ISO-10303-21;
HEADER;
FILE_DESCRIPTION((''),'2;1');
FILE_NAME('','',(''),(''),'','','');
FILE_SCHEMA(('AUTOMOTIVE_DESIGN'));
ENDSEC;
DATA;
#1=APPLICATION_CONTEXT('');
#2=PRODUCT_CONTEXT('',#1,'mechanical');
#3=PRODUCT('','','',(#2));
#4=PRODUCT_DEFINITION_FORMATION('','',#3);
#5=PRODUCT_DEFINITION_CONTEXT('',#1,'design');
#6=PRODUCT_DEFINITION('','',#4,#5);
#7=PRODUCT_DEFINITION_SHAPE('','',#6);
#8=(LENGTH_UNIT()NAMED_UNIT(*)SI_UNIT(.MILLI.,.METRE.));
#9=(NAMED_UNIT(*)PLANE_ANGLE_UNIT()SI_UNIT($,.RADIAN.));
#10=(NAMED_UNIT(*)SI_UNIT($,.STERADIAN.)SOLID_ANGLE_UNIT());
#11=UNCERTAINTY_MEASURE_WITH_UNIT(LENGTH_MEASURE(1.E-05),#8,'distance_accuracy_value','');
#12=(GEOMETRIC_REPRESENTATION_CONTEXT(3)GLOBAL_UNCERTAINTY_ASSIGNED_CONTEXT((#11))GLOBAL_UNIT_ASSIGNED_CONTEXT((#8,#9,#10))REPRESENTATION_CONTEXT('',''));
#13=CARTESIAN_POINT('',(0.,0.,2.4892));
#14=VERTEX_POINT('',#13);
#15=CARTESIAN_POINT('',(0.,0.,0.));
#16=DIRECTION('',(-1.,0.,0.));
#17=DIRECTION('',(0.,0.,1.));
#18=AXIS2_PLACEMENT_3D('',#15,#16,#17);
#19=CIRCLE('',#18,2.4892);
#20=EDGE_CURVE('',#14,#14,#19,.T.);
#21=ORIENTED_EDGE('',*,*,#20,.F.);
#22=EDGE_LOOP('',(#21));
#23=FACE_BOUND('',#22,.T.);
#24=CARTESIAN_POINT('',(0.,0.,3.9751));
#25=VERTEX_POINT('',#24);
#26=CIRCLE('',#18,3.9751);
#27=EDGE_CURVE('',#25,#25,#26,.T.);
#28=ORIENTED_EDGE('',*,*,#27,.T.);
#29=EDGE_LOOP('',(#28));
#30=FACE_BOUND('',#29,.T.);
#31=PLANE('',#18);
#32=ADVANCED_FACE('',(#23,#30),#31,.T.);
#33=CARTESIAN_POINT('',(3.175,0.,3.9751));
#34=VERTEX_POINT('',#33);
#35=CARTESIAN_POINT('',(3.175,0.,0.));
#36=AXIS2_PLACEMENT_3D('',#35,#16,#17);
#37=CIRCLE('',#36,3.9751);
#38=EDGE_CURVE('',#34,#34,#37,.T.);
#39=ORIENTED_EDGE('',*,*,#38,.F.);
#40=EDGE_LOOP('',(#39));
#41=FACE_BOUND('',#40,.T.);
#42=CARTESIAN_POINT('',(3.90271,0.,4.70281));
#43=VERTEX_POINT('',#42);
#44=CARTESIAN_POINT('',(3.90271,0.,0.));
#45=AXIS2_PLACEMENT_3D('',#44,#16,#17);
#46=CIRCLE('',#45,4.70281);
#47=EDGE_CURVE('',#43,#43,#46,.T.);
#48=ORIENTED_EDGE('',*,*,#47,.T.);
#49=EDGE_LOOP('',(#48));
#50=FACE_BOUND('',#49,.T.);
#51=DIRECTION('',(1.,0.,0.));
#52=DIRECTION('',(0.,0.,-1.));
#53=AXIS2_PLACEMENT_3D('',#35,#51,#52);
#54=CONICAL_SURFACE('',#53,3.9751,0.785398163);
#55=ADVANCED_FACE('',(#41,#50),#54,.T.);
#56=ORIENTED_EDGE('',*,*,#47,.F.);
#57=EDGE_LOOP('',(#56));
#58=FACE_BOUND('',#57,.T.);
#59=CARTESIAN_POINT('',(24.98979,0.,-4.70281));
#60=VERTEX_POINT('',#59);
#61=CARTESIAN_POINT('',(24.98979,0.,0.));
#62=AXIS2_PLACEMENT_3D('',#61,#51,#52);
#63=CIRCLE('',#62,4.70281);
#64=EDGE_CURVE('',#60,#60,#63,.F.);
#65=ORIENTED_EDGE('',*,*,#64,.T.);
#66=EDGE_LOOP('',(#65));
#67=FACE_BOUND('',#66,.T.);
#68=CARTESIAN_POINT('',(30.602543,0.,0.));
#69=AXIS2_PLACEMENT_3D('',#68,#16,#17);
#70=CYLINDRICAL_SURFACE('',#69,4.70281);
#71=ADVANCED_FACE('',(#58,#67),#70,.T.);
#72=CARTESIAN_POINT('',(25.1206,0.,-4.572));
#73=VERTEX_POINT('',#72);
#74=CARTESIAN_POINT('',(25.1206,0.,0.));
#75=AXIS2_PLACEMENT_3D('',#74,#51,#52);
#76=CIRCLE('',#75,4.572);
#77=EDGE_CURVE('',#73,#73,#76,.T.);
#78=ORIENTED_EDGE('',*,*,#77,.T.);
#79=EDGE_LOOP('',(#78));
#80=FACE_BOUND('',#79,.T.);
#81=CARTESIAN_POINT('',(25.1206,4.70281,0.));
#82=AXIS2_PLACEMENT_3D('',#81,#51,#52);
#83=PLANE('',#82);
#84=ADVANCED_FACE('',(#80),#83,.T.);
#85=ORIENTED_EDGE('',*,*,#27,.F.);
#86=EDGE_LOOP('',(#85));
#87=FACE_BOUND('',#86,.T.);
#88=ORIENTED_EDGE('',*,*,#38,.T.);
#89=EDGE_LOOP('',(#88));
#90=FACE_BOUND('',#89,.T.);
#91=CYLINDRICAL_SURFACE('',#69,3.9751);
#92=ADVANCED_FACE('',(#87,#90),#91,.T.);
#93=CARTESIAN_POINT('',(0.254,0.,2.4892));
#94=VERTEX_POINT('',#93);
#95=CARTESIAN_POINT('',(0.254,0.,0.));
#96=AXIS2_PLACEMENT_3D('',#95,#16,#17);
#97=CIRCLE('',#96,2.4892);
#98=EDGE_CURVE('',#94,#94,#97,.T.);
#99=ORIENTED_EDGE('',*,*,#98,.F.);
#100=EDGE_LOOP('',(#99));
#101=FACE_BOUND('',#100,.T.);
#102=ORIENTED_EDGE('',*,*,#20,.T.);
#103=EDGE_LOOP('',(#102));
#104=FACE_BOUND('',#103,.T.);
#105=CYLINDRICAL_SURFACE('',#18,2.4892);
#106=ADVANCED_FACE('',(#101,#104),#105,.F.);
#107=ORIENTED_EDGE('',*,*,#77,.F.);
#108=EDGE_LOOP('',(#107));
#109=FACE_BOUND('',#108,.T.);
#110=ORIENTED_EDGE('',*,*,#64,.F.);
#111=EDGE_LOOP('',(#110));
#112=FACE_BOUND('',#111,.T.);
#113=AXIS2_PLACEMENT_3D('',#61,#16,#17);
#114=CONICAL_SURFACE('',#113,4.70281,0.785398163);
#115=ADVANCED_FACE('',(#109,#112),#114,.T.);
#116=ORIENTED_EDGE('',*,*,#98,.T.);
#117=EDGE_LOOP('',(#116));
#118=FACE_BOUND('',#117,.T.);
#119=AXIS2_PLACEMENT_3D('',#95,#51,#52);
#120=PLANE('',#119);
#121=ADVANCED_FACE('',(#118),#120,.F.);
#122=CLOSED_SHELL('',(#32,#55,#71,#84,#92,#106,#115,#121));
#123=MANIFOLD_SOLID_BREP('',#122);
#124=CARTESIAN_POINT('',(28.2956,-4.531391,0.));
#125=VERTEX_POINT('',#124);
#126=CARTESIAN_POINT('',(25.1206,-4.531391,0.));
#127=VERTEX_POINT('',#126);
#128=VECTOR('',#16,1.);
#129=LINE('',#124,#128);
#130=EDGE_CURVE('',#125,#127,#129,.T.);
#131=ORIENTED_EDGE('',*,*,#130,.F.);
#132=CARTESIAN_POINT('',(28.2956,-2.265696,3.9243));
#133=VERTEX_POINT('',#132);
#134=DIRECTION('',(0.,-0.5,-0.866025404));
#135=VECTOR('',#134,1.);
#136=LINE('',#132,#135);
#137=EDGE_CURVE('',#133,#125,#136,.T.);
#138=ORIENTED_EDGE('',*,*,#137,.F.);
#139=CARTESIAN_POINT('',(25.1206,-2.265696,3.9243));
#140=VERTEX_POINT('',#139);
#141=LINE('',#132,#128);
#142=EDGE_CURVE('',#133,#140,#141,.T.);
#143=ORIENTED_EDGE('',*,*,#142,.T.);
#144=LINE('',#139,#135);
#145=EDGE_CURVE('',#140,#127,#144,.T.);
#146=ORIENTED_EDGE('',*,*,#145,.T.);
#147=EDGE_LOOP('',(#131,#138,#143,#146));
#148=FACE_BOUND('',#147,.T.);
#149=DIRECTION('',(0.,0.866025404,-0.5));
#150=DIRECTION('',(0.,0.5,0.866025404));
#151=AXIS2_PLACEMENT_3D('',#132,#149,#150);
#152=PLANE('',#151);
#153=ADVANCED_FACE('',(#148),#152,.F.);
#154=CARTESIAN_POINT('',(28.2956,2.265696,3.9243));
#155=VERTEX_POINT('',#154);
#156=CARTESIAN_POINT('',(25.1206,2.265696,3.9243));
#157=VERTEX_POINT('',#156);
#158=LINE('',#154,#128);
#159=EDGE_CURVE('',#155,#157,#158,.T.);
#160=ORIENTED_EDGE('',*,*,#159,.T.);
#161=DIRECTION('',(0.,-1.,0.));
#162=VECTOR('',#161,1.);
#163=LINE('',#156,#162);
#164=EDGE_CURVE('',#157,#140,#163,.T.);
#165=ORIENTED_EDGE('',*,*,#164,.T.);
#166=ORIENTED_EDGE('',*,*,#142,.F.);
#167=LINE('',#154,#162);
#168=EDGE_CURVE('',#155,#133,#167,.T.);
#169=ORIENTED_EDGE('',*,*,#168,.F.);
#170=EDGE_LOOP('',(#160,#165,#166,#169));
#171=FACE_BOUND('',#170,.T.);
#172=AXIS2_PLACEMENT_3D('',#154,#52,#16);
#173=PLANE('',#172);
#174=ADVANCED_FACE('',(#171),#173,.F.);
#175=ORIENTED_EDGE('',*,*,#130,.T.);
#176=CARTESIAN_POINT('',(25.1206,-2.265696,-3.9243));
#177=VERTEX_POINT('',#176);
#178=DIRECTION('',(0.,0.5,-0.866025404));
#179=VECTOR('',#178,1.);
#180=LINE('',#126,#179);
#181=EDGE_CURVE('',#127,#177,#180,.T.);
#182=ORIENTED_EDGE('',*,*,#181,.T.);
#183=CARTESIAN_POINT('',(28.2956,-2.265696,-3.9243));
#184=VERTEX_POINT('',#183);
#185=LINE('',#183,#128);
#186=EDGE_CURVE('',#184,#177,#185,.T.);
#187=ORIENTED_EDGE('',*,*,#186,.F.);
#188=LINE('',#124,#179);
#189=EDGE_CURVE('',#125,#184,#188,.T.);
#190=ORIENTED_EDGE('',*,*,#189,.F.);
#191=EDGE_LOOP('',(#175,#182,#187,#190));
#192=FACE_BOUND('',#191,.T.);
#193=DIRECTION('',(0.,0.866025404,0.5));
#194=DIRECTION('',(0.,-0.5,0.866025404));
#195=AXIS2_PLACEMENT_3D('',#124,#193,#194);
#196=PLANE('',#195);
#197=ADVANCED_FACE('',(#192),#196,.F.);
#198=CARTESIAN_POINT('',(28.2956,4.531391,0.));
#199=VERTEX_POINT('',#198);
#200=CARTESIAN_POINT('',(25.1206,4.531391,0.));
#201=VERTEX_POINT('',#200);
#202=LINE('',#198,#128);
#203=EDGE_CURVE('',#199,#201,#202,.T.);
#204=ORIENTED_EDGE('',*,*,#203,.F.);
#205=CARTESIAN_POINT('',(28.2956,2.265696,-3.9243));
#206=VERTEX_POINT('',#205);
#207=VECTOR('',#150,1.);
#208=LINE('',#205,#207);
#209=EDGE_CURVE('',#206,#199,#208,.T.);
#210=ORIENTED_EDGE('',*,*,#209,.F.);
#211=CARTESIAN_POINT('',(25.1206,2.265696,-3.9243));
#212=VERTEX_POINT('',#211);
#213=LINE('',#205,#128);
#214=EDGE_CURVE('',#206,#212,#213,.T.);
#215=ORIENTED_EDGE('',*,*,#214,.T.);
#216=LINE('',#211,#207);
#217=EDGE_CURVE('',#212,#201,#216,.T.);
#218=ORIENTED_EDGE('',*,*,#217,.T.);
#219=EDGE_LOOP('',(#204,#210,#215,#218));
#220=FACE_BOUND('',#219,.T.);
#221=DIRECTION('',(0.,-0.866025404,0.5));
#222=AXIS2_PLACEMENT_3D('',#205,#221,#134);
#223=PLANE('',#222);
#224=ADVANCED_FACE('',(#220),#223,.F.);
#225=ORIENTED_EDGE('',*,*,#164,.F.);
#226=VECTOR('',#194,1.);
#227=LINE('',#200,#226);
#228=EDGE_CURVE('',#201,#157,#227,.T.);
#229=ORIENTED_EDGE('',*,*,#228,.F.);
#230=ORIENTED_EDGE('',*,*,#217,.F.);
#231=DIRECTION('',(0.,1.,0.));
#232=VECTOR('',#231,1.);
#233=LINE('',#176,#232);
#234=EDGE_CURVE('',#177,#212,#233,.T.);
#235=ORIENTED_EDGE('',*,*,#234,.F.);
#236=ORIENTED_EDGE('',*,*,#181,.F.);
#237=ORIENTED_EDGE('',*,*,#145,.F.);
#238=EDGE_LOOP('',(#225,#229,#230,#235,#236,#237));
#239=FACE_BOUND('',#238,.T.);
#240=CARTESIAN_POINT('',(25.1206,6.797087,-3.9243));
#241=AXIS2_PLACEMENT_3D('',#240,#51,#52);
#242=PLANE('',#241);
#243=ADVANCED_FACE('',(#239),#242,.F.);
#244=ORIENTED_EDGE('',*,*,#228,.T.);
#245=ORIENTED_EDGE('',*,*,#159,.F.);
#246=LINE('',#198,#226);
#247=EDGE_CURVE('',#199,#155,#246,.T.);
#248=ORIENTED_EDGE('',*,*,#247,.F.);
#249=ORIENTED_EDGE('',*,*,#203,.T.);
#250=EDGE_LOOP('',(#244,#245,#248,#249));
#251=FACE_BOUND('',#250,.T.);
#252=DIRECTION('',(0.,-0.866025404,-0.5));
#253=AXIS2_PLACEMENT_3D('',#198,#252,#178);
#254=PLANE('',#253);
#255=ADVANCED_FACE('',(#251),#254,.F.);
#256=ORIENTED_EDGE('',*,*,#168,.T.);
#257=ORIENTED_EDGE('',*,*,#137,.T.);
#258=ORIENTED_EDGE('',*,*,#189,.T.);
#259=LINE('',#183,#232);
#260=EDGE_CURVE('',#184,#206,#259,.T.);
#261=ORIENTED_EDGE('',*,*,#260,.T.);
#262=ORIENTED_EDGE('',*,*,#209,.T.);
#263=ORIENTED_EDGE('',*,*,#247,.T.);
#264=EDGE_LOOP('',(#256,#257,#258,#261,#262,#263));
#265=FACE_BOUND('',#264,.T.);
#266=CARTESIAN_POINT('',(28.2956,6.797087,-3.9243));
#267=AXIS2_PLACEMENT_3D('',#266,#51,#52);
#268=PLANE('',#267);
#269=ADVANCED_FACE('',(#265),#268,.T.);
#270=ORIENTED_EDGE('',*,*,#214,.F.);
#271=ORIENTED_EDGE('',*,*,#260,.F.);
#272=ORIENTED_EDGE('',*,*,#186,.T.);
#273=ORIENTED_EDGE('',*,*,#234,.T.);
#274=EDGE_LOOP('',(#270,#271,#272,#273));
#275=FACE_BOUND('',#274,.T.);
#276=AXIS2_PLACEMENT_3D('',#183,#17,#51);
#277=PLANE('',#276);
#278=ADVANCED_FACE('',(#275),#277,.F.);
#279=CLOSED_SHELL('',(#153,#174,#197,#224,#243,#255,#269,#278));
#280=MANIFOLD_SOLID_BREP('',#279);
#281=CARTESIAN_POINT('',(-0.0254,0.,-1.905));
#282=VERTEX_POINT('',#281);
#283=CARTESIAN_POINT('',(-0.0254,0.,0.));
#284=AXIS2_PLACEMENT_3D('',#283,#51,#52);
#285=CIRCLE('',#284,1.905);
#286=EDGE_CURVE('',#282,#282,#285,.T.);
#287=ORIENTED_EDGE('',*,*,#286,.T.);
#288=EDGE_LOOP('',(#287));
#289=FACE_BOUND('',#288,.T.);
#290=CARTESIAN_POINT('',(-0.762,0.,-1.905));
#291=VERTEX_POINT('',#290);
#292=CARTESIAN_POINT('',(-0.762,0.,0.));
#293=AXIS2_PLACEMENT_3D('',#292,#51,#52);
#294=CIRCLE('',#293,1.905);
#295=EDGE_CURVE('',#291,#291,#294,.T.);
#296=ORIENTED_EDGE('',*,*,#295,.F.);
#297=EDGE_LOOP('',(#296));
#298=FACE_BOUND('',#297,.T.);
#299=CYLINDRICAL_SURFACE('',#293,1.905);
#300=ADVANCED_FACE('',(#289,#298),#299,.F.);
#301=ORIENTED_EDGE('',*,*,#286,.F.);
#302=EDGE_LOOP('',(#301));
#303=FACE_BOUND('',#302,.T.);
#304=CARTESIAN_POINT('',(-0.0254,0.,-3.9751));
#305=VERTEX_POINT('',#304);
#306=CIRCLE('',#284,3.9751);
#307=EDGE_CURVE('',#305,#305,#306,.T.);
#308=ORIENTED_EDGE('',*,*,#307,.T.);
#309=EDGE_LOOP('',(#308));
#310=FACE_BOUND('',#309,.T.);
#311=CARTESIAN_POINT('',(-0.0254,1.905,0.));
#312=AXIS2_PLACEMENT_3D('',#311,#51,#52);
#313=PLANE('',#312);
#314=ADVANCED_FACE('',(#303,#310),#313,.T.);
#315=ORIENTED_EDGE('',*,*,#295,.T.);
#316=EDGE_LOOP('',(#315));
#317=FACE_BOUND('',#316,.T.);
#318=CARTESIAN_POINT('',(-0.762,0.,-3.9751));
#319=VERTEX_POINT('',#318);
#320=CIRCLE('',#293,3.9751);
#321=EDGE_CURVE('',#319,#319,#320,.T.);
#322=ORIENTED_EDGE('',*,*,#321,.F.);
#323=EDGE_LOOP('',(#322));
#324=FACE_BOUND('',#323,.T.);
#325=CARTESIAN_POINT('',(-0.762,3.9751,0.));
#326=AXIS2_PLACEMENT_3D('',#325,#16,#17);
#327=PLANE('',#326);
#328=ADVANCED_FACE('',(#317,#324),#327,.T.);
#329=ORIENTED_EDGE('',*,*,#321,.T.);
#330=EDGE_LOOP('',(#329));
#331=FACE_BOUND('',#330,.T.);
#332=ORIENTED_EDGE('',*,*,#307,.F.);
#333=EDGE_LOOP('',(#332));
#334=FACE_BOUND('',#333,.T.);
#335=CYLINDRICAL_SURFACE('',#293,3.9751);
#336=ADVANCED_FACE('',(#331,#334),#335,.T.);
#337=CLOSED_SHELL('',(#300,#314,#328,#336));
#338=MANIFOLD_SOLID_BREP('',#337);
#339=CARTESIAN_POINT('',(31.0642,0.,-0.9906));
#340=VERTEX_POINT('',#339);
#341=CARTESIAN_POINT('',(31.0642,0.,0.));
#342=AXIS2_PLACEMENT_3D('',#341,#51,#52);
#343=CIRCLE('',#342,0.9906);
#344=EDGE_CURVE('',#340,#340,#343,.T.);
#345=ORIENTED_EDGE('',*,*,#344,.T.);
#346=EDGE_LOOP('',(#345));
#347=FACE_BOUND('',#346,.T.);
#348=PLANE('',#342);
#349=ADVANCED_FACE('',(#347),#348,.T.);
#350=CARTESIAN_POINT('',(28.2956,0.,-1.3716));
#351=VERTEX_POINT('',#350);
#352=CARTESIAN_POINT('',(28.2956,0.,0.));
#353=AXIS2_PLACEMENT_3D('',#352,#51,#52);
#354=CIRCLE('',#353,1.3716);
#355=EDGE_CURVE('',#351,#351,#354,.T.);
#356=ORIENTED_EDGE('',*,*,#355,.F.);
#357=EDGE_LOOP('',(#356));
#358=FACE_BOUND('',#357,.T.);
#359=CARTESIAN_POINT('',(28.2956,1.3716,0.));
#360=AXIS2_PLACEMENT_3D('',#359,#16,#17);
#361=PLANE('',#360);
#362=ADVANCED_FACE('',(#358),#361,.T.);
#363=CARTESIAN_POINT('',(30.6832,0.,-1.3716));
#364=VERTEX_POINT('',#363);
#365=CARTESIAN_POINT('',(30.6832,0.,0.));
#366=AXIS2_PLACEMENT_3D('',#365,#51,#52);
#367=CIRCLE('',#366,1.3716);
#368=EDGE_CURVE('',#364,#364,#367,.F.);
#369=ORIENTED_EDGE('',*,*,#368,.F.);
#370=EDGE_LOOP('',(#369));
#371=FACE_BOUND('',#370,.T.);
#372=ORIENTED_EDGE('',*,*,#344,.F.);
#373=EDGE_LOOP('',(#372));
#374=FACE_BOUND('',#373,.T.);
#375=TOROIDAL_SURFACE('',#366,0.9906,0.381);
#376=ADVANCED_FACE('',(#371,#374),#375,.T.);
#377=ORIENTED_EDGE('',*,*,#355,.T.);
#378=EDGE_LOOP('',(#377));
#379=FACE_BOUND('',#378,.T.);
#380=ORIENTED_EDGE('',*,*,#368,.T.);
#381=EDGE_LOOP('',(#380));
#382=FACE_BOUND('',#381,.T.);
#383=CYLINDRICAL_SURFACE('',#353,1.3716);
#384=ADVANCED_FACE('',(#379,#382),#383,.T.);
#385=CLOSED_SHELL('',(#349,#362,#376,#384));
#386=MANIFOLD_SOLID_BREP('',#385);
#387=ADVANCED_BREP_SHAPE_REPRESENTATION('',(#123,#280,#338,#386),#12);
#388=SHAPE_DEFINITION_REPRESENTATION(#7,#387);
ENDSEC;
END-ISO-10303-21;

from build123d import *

# Parameters (mm, degrees)
SKETCH11_W     = 0.7366
SKETCH11_H     = 2.0701
EXTRUDE3_DEPTH = 3.175
SKETCH14_W     = 2.7686
SKETCH14_H     = 1.3716
SKETCH15_W     = 2.4892
SKETCH15_H     = 0.254
CHAMFER3_SIZE  = 0.13081
FILLET3_R      = 0.381


with BuildPart() as part:
    # Sketch11 → Revolve5 (revolve)
    with BuildSketch(Plane.XY, mode=Mode.PRIVATE) as revolve5_sk:
        with Locations((-0.3937, 2.94005)):
            Rectangle(SKETCH11_W, SKETCH11_H)
    revolve(revolve5_sk.sketch.rotate(Axis((-0.762, 0, 0), (1, 0, 0)), 270), axis=Axis((-0.762, 0, 0), (1, 0, 0)))  # turned: the seam where the file's is


with BuildPart() as body_2:
    # Sketch12 → Revolve6 (revolve)
    with BuildSketch(Plane(origin=(0, 0, 0), x_dir=(-1, 0, 0), z_dir=(0, 0, -1)), mode=Mode.PRIVATE) as revolve6_sk:
        Polygon((-25.1206, 4.70281), (-25.1206, 0), (0, 0), (0, 3.9751), (-3.175, 3.9751), (-3.90271, 4.70281), align=None)
    revolve(revolve6_sk.sketch.rotate(Axis((30.602542541, 0, 0), (-1, 0, 0)), 270), axis=Axis((30.602542541, 0, 0), (-1, 0, 0)))  # turned: the seam where the file's is

    # Sketch15 → Hole3 (revolve, cut)
    with BuildSketch(Plane.ZX):
        with Locations((1.2446, 0.127)):
            Rectangle(SKETCH15_W, SKETCH15_H)
    revolve(axis=Axis((110, 0, 0), (-1, 0, 0)), mode=Mode.SUBTRACT)

    # Chamfer3
    chamfer3_edges = [body_2.edges().sort_by_distance(p)[0] for p in [
        (25.1206, 0, -4.70281),
    ]]
    chamfer(chamfer3_edges, length=CHAMFER3_SIZE)


with BuildPart() as body_3:
    # Sketch13 → Extrude3 (new body)
    with BuildSketch(Plane(origin=(25.1206, 0, 0), x_dir=(0, 0, -1), z_dir=(1, 0, 0))):
        Polygon((3.9243, 2.265695661), (0, 4.531391323), (-3.9243, 2.265695661), (-3.9243, -2.265695661), (0, -4.531391323), (3.9243, -2.265695661), align=None)
    extrude(amount=EXTRUDE3_DEPTH)


with BuildPart() as body_4:
    # Sketch14 → Revolve7 (revolve)
    with BuildSketch(Plane.XY, mode=Mode.PRIVATE) as revolve7_sk:
        with Locations((29.6799, 0.6858)):
            Rectangle(SKETCH14_W, SKETCH14_H)
    revolve(revolve7_sk.sketch.rotate(Axis((28.2956, 0, 0), (1, 0, 0)), 270), axis=Axis((28.2956, 0, 0), (1, 0, 0)))  # turned: the seam where the file's is

    # Fillet3
    fillet3_edges = [body_4.edges().sort_by_distance(p)[0] for p in [
        (31.0642, 0, 1.3716),
    ]]
    fillet(fillet3_edges, radius=FILLET3_R)


solid = Compound([part.part, body_2.part, body_3.part, body_4.part])
